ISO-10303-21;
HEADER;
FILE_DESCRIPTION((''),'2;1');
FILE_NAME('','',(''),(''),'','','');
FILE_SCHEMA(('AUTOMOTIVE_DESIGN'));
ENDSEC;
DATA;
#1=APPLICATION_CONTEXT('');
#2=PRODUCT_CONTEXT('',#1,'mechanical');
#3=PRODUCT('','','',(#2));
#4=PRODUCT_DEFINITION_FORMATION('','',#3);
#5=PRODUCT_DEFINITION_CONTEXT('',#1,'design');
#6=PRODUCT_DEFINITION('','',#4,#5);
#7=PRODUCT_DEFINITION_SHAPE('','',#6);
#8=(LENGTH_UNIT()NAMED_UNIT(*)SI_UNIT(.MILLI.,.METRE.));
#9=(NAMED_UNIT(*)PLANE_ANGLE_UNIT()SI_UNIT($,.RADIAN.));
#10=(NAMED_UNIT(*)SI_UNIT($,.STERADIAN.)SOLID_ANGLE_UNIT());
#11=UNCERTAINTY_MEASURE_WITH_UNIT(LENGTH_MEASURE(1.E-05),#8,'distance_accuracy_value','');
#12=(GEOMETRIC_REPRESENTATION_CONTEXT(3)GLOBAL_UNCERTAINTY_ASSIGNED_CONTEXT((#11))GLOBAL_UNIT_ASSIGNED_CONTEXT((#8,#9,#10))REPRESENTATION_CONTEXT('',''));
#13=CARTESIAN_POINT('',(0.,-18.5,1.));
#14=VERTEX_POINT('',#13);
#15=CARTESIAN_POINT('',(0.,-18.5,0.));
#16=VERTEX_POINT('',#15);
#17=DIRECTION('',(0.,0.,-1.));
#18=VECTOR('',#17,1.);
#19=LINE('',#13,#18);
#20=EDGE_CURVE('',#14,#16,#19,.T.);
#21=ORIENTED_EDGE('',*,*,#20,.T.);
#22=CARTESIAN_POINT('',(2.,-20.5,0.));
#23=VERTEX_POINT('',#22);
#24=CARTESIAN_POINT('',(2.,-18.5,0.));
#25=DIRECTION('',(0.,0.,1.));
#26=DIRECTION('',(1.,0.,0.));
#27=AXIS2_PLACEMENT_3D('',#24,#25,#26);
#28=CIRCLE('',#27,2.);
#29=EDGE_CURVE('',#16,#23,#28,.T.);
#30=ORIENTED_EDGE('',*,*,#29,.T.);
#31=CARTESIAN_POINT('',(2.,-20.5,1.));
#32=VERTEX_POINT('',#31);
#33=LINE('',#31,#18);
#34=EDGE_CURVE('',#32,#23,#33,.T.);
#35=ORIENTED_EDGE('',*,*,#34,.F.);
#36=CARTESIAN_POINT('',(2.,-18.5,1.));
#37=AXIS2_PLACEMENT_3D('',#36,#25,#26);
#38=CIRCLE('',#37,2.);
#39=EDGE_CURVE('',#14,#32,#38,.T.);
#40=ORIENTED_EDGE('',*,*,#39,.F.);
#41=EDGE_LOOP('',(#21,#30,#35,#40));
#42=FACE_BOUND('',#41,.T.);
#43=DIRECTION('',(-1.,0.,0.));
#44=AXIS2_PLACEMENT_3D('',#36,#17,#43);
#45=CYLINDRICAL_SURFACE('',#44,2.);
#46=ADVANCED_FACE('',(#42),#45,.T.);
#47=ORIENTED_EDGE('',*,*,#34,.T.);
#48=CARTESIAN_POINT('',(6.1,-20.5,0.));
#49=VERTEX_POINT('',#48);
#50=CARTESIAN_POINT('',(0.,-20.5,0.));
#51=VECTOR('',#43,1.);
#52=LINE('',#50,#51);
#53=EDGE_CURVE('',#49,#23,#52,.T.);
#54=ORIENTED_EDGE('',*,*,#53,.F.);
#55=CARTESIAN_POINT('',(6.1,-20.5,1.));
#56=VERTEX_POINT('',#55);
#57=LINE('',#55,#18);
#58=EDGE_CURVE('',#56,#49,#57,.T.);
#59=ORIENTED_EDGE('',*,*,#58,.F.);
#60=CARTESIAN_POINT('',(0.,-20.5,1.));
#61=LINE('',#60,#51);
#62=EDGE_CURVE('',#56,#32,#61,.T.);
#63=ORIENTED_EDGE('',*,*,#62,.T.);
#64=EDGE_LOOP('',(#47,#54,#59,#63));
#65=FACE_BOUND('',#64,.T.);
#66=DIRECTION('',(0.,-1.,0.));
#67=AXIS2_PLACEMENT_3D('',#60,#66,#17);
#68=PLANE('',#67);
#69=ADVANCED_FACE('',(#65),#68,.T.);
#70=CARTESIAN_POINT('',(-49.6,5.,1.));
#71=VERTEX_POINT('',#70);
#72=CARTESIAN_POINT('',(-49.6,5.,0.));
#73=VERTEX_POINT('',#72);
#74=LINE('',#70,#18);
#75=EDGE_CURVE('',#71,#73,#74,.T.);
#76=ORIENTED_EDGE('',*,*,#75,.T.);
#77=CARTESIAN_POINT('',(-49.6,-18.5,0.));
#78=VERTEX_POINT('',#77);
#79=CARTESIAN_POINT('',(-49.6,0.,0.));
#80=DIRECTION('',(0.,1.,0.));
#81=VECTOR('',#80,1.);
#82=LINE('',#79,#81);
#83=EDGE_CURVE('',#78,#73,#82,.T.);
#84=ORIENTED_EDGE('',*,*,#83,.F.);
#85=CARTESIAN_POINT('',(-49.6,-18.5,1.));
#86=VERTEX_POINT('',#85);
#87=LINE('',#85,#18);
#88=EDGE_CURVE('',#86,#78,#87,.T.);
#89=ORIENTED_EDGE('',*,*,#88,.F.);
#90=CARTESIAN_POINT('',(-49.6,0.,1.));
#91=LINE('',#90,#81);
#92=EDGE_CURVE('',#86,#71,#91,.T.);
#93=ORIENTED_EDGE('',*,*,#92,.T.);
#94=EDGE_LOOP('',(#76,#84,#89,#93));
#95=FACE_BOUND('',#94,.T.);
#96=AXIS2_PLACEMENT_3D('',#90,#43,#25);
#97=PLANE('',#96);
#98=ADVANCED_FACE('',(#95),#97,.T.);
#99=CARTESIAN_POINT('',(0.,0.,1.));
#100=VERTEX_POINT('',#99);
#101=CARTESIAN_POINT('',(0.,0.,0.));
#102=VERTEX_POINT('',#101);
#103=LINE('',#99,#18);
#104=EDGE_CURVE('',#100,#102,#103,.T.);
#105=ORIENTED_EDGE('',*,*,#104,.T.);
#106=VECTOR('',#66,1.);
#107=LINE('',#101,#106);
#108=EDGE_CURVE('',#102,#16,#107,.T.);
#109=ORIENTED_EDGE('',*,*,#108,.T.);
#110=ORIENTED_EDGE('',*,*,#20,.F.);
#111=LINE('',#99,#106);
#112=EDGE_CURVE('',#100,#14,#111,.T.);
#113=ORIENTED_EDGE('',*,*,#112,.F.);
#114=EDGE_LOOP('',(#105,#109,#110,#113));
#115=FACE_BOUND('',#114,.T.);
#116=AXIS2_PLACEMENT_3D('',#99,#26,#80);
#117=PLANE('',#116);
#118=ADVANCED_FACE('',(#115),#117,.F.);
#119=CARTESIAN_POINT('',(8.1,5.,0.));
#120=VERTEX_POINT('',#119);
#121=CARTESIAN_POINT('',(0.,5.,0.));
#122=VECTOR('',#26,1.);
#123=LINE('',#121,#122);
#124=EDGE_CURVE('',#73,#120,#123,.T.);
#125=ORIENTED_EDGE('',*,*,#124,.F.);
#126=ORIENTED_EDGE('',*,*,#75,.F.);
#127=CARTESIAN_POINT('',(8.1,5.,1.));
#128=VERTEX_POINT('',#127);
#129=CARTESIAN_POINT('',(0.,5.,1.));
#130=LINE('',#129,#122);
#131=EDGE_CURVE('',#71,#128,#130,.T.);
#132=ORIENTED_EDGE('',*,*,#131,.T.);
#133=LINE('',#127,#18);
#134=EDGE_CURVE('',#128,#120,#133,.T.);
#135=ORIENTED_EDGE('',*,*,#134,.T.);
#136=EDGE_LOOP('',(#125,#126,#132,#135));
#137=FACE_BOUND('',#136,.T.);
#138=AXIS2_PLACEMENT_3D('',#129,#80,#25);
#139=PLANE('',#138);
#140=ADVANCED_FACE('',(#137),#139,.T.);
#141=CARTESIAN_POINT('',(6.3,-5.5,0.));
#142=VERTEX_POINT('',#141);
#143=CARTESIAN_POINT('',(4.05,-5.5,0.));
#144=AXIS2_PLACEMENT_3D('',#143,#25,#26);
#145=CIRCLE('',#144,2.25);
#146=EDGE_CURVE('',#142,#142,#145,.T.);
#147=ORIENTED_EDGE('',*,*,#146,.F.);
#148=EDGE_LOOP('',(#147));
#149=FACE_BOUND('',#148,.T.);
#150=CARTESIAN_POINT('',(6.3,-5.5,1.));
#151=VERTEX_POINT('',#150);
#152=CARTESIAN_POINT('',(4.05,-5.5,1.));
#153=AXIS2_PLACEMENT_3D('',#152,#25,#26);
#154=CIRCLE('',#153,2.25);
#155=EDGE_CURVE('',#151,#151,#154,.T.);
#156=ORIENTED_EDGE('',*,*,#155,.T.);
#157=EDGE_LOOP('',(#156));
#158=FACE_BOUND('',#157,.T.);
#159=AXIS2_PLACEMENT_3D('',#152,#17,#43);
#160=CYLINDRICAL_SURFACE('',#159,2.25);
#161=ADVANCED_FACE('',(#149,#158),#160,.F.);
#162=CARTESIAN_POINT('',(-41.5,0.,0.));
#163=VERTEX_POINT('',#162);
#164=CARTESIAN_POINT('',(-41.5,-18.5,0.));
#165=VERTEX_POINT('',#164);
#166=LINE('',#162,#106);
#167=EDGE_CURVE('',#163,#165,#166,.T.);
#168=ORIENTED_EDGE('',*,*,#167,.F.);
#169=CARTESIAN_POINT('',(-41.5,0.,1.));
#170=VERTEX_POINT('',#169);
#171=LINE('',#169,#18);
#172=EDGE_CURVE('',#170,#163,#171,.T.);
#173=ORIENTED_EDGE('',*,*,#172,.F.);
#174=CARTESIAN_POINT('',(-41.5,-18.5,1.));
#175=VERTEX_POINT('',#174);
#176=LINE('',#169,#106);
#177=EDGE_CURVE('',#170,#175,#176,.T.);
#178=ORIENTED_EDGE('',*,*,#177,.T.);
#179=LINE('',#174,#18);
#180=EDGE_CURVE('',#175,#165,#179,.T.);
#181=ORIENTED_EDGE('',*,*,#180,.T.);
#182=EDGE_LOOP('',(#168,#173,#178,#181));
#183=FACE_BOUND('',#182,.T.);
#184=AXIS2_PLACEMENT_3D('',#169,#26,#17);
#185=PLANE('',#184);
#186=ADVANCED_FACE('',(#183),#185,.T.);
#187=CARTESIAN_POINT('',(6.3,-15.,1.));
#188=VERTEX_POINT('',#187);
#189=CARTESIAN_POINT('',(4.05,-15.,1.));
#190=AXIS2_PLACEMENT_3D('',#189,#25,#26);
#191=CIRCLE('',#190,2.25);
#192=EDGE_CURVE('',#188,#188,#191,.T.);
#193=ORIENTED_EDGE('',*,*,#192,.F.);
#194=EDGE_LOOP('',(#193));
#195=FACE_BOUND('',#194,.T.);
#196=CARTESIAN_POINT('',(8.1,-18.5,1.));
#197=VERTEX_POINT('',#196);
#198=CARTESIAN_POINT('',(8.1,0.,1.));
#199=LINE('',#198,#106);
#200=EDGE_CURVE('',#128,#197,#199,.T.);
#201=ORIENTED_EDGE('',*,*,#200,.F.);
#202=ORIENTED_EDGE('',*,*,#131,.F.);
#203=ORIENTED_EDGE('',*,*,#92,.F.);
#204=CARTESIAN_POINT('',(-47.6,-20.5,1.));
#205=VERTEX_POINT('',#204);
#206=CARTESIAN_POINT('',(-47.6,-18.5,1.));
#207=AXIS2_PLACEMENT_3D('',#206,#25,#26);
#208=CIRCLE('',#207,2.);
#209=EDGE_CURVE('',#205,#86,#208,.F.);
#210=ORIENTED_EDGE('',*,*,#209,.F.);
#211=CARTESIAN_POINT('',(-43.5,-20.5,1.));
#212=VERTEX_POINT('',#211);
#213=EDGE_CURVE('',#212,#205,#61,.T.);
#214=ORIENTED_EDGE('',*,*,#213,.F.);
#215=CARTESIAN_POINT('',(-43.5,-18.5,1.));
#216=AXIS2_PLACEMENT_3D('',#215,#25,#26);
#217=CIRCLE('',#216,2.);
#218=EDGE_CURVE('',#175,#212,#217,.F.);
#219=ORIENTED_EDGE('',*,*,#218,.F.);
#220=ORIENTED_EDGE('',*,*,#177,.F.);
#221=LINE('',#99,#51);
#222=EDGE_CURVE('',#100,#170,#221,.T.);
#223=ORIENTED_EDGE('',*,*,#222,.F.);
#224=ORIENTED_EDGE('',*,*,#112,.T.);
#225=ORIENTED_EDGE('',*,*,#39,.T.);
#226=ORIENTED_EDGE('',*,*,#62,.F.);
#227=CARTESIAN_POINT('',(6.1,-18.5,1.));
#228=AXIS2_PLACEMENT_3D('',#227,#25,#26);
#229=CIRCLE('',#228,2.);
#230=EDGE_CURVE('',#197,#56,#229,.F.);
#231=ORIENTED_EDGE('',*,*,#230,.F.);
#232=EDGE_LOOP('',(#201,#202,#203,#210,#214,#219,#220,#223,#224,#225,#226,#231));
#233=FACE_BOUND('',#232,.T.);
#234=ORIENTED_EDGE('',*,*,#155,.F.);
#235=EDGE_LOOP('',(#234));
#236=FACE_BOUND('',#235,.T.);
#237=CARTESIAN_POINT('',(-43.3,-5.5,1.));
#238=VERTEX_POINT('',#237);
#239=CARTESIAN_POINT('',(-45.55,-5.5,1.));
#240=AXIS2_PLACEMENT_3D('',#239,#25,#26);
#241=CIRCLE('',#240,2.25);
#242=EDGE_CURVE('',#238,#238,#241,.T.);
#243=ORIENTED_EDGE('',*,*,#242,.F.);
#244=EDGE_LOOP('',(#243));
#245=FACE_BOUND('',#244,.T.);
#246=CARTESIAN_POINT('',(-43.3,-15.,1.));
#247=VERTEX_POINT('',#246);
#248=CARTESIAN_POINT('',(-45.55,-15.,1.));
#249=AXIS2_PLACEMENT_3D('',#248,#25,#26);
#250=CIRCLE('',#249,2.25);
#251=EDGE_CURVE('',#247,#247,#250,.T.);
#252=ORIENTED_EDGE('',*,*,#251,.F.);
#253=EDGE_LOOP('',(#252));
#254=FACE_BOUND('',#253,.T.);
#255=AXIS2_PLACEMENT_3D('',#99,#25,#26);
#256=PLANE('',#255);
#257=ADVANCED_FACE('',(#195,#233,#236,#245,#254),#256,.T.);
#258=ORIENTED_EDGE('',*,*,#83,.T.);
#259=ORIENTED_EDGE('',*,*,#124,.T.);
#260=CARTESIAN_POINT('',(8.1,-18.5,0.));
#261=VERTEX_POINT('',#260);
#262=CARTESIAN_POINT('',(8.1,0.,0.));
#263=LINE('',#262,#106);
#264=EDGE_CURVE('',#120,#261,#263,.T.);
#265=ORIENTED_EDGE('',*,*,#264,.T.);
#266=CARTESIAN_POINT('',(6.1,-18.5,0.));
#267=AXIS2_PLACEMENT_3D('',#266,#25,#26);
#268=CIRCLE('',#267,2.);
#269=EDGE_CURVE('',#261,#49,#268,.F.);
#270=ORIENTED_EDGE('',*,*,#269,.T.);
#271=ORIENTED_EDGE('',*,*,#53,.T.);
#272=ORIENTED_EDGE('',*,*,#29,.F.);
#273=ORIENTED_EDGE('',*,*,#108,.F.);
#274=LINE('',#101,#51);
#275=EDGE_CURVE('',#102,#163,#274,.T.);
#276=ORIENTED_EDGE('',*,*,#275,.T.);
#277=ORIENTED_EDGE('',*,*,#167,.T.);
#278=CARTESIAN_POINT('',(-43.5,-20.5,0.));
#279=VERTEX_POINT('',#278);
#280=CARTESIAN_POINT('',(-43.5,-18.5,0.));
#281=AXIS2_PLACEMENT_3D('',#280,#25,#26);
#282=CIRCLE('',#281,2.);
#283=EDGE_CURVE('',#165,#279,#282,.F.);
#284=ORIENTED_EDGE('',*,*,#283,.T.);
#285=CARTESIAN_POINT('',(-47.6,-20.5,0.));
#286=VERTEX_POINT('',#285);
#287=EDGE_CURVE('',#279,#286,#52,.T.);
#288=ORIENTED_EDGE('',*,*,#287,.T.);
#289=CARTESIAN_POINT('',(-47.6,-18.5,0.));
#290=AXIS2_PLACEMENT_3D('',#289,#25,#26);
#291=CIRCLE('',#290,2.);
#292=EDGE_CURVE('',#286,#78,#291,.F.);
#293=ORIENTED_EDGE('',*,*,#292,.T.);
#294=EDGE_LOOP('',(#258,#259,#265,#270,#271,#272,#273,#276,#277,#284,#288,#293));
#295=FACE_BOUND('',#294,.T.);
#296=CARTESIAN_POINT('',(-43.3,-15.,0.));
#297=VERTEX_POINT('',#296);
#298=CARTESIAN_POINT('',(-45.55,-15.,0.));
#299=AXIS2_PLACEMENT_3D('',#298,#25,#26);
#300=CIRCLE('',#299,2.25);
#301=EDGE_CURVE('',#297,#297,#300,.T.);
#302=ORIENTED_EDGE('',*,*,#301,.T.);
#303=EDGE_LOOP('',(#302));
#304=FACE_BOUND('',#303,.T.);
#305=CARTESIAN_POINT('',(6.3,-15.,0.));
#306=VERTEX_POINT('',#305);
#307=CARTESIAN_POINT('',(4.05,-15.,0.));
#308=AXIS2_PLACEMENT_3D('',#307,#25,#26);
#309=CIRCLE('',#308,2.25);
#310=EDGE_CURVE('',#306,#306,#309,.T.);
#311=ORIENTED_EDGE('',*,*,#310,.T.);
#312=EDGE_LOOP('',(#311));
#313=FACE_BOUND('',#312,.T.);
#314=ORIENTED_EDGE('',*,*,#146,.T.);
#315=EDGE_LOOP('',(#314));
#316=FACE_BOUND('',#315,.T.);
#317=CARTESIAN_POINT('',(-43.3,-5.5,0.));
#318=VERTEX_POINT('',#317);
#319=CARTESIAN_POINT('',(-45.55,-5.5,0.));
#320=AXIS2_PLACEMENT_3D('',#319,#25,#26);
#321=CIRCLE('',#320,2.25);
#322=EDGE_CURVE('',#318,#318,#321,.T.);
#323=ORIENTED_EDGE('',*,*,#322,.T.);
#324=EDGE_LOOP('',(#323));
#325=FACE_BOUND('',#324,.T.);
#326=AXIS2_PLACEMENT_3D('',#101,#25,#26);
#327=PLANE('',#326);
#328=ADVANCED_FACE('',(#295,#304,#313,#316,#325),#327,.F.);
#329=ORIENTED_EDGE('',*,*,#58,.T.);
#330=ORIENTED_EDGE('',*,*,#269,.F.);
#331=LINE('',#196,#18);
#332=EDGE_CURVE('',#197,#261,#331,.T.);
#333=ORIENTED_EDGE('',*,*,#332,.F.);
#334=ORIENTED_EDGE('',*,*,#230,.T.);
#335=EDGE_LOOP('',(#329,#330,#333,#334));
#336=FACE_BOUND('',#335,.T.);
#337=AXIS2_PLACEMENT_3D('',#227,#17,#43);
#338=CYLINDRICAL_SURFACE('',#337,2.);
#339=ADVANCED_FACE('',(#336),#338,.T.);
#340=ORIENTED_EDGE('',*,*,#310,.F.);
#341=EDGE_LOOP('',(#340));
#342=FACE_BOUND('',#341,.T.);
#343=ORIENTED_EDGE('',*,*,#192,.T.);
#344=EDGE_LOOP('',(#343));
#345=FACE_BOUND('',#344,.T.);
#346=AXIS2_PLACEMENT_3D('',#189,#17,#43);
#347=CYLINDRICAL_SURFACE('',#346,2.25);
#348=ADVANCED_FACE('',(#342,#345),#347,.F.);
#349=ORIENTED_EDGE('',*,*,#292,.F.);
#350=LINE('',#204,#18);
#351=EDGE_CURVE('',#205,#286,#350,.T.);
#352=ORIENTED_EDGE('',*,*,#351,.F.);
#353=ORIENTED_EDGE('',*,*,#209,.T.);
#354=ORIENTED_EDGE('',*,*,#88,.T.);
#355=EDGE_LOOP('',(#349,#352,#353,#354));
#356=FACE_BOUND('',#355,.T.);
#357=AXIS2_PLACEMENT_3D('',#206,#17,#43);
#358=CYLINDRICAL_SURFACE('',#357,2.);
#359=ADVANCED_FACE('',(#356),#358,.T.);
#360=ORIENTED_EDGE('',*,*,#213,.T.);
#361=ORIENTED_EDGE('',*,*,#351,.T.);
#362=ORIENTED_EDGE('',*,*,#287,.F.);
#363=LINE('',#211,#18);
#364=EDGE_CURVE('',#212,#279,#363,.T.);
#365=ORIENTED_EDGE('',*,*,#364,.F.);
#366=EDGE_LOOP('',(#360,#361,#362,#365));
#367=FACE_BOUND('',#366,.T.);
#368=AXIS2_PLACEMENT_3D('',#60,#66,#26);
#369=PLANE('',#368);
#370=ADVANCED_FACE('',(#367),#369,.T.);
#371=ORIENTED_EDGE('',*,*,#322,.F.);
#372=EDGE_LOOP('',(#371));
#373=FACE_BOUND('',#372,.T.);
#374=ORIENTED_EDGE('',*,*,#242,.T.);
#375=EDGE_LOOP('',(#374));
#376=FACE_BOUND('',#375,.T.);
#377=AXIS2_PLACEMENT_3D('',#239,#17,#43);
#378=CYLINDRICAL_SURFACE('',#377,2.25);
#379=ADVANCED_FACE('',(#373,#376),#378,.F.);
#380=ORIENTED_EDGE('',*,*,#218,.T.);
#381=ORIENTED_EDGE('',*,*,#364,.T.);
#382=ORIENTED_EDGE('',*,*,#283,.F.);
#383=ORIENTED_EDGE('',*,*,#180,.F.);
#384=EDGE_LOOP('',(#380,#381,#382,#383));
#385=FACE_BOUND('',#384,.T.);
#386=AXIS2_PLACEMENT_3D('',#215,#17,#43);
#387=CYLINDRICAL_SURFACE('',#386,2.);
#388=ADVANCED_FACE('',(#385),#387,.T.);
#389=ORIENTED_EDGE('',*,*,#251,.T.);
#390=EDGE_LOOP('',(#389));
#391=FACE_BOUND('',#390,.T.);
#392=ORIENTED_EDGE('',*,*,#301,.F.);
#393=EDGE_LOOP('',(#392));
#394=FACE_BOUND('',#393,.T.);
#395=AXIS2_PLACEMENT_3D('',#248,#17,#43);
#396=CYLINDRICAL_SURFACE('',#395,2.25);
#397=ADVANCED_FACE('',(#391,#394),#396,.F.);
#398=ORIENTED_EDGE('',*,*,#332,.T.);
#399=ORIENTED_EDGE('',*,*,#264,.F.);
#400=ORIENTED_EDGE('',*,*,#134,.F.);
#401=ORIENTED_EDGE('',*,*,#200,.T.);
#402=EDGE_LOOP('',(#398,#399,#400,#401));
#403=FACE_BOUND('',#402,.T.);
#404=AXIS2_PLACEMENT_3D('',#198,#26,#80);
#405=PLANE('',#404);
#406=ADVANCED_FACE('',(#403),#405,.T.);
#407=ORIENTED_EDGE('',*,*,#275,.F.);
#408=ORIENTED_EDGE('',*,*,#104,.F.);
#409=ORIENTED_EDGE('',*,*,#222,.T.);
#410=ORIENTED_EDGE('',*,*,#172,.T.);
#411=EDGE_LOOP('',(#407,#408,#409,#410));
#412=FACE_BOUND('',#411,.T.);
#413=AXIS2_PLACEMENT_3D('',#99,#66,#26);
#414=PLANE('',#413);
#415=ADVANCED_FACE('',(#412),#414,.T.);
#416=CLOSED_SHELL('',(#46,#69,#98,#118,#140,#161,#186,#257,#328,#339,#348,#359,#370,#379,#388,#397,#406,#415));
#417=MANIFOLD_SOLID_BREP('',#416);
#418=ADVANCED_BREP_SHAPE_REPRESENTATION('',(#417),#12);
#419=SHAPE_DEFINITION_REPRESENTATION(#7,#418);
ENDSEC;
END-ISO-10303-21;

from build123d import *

# Parameters (mm, degrees)
SKETCH1_R           = 2.25
BOSS_EXTRUDE1_DEPTH = 1


with BuildPart() as part:
    # Sketch1 → Boss-Extrude1 (new body)
    with BuildSketch(Plane.XY):
        with BuildLine():
            Line((-43.5, -20.5), (-47.6, -20.5))
            ThreePointArc((-47.6, -20.5), (-49.014213562, -19.914213562), (-49.6, -18.5))
            Line((-49.6, -18.5), (-49.6, 5))
            Line((-49.6, 5), (8.1, 5))
            Line((8.1, 5), (8.1, -18.5))
            ThreePointArc((8.1, -18.5), (7.514213562, -19.914213562), (6.1, -20.5))
            Line((6.1, -20.5), (2, -20.5))
            ThreePointArc((2, -20.5), (0.585786438, -19.914213562), (0, -18.5))
            Line((0, -18.5), (0, 0))
            Line((0, 0), (-41.5, 0))
            Line((-41.5, 0), (-41.5, -18.5))
            ThreePointArc((-41.5, -18.5), (-42.085786438, -19.914213562), (-43.5, -20.5))
        make_face()
        with Locations((-45.55, -5.5)):
            Circle(SKETCH1_R, mode=Mode.SUBTRACT)
        with Locations((-45.55, -15)):
            Circle(SKETCH1_R, mode=Mode.SUBTRACT)
        with Locations((4.05, -5.5)):
            Circle(SKETCH1_R, mode=Mode.SUBTRACT)
        with Locations((4.05, -15)):
            Circle(SKETCH1_R, mode=Mode.SUBTRACT)
    extrude(amount=BOSS_EXTRUDE1_DEPTH)


solid = part.part
